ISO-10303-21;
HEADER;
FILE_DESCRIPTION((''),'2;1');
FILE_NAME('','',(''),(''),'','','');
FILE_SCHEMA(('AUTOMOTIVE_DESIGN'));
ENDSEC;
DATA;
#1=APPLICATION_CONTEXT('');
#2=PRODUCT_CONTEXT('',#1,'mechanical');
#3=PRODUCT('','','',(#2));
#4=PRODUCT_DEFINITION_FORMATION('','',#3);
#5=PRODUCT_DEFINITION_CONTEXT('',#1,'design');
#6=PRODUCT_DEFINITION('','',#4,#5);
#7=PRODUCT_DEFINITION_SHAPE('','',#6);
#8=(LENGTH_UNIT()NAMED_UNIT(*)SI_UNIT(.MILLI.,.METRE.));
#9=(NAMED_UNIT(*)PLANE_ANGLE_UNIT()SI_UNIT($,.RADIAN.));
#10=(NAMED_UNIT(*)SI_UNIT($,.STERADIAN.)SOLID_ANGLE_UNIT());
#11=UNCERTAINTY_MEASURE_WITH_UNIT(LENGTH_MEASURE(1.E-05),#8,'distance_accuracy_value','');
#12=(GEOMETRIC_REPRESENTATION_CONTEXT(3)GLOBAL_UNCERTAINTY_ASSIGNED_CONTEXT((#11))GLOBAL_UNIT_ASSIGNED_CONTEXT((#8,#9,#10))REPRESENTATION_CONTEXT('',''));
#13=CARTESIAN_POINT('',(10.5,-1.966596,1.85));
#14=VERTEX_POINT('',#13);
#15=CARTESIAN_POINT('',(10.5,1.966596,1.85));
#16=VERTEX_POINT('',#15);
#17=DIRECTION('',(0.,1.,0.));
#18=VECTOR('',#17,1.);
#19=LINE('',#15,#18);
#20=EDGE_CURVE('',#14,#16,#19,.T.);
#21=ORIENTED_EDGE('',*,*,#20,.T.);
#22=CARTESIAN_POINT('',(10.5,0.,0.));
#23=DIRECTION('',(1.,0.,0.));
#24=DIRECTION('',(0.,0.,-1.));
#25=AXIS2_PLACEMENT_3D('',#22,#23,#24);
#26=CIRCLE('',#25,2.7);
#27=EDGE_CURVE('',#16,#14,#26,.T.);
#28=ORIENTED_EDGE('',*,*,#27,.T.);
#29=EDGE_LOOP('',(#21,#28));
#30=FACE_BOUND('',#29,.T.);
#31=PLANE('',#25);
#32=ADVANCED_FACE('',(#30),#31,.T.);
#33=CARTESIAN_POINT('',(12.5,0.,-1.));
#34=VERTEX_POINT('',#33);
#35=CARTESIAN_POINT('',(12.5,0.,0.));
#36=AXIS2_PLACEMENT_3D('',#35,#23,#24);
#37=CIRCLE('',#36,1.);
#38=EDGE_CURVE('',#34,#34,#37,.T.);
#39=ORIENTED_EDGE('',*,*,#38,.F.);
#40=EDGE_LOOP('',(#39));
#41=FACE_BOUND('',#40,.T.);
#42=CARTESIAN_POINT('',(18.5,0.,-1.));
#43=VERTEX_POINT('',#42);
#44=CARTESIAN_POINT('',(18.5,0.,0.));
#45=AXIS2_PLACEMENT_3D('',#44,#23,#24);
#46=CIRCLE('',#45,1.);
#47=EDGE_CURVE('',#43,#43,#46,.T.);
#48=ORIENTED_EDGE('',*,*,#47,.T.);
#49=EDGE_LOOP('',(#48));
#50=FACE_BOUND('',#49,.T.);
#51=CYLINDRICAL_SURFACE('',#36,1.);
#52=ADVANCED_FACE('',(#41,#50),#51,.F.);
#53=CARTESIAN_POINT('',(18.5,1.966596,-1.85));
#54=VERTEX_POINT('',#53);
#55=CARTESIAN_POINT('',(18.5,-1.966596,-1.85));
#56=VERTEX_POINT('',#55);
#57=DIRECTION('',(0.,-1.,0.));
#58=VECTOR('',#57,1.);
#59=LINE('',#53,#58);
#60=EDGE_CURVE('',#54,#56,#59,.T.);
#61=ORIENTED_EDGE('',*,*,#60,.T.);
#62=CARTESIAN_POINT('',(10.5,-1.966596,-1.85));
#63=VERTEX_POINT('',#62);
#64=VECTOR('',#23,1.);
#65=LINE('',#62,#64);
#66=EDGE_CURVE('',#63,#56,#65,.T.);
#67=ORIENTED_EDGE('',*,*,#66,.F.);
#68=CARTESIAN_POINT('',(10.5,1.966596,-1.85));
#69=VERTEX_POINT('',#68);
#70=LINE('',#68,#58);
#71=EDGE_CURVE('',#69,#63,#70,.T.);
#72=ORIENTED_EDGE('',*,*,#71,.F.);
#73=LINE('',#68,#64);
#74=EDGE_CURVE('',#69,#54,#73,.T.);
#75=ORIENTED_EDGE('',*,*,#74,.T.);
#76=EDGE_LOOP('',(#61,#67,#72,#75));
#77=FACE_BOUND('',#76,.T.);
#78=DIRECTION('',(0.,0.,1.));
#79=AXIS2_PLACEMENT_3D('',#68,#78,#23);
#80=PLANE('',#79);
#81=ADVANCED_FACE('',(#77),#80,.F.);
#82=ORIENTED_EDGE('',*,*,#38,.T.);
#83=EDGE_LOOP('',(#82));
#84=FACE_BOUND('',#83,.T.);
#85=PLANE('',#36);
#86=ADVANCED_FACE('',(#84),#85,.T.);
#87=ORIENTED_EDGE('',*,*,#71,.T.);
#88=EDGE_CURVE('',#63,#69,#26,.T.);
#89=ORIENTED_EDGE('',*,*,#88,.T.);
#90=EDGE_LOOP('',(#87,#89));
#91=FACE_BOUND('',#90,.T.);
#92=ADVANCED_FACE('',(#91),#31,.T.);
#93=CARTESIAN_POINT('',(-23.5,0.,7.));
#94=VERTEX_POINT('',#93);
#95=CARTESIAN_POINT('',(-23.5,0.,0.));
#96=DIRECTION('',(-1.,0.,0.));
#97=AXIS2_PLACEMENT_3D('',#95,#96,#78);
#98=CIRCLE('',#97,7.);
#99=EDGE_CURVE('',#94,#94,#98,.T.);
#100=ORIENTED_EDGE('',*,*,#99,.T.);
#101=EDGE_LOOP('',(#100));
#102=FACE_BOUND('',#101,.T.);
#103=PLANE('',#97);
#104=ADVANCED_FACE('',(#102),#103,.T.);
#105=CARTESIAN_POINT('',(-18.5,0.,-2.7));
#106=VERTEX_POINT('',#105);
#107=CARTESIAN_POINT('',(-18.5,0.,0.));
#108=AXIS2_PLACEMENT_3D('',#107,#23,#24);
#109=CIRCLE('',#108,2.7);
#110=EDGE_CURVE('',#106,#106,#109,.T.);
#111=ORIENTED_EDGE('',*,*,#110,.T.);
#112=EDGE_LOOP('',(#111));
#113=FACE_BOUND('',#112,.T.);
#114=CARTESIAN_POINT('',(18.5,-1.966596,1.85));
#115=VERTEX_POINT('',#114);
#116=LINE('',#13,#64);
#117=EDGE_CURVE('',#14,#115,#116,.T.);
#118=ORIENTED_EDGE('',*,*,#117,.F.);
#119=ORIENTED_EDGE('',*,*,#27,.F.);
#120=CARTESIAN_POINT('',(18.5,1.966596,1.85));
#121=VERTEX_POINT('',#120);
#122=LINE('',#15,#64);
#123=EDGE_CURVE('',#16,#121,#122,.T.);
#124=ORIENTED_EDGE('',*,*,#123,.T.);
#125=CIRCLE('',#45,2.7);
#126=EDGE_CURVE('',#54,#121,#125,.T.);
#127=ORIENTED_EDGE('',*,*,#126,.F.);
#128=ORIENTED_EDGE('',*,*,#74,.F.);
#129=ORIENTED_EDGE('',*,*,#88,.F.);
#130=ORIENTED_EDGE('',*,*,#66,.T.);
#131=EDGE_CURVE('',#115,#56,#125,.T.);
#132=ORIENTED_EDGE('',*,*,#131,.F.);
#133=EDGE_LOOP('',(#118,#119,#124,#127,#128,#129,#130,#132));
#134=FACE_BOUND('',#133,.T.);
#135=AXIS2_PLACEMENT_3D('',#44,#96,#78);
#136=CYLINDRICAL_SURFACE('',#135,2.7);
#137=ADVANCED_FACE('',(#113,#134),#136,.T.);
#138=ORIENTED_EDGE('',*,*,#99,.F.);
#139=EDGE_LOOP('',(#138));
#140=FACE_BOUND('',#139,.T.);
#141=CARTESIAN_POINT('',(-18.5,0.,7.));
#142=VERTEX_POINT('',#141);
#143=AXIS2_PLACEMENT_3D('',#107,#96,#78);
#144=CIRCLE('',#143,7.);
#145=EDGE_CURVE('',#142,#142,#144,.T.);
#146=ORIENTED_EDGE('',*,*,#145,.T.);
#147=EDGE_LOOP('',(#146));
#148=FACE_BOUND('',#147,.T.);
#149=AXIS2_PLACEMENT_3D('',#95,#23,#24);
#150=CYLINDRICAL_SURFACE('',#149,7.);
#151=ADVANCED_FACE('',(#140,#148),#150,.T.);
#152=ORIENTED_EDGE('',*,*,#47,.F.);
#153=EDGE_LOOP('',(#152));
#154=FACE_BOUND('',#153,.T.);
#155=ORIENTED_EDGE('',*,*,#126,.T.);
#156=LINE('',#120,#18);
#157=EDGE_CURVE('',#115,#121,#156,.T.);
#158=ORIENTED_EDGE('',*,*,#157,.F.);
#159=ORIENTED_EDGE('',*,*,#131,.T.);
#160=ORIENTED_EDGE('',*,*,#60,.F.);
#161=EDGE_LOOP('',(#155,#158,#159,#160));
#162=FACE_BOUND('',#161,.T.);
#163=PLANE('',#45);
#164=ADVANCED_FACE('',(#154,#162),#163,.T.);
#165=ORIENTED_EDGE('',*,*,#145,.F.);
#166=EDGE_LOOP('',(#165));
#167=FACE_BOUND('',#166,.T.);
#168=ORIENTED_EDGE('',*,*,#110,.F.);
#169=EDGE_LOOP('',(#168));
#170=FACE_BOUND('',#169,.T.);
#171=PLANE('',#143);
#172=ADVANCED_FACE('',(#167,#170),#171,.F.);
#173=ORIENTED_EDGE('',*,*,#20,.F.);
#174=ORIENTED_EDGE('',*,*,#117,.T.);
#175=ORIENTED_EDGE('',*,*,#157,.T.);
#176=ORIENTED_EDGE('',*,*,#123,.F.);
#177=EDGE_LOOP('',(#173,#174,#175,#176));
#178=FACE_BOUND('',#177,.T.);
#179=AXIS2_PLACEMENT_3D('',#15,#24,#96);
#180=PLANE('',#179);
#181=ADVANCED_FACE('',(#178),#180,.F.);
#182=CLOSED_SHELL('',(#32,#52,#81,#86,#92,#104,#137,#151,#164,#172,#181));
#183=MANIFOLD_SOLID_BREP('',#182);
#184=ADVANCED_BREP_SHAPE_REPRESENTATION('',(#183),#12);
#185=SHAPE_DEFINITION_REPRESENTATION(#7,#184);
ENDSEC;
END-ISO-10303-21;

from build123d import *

# Parameters (mm, degrees)
SKETCH1_R           = 2.7
BOSS_EXTRUDE1_DEPTH = 18.5
CUT_EXTRUDE1_DEPTH  = 8
SKETCH3_R           = 1
CUT_EXTRUDE2_DEPTH  = 6
SKETCH5_R           = 7
BOSS_EXTRUDE2_DEPTH = 5


with BuildPart() as part:
    # Sketch1 → Boss-Extrude1 (new, symmetric)
    with BuildSketch(Plane(origin=(0, 0, 0), x_dir=(0, 0, -1), z_dir=(1, 0, 0))):
        Circle(SKETCH1_R)
    extrude(amount=BOSS_EXTRUDE1_DEPTH, both=True)

    # Sketch2 → Cut-Extrude1 (cut)
    with BuildSketch(Plane(origin=(18.5, 0, 0), x_dir=(0, 0, -1), z_dir=(1, 0, 0))):
        with BuildLine():
            Line((-1.85, 1.966596044), (-1.85, -1.966596044))
            ThreePointArc((-1.85, -1.966596044), (-2.7, 0), (-1.85, 1.966596044))
        make_face()
        with BuildLine():
            Line((1.85, 1.966596044), (1.85, -1.966596044))
            ThreePointArc((1.85, -1.966596044), (2.7, 0), (1.85, 1.966596044))
        make_face()
    extrude(amount=-CUT_EXTRUDE1_DEPTH, mode=Mode.SUBTRACT)

    # Sketch3 → Cut-Extrude2 (cut)
    with BuildSketch(Plane(origin=(18.5, 0, 0), x_dir=(0, 0, -1), z_dir=(1, 0, 0))):
        Circle(SKETCH3_R)
    extrude(amount=-CUT_EXTRUDE2_DEPTH, mode=Mode.SUBTRACT)

    # Sketch5 → Boss-Extrude2 (add)
    with BuildSketch(Plane.ZY.offset(18.5)):
        Circle(SKETCH5_R)
    extrude(amount=BOSS_EXTRUDE2_DEPTH)


solid = part.part
